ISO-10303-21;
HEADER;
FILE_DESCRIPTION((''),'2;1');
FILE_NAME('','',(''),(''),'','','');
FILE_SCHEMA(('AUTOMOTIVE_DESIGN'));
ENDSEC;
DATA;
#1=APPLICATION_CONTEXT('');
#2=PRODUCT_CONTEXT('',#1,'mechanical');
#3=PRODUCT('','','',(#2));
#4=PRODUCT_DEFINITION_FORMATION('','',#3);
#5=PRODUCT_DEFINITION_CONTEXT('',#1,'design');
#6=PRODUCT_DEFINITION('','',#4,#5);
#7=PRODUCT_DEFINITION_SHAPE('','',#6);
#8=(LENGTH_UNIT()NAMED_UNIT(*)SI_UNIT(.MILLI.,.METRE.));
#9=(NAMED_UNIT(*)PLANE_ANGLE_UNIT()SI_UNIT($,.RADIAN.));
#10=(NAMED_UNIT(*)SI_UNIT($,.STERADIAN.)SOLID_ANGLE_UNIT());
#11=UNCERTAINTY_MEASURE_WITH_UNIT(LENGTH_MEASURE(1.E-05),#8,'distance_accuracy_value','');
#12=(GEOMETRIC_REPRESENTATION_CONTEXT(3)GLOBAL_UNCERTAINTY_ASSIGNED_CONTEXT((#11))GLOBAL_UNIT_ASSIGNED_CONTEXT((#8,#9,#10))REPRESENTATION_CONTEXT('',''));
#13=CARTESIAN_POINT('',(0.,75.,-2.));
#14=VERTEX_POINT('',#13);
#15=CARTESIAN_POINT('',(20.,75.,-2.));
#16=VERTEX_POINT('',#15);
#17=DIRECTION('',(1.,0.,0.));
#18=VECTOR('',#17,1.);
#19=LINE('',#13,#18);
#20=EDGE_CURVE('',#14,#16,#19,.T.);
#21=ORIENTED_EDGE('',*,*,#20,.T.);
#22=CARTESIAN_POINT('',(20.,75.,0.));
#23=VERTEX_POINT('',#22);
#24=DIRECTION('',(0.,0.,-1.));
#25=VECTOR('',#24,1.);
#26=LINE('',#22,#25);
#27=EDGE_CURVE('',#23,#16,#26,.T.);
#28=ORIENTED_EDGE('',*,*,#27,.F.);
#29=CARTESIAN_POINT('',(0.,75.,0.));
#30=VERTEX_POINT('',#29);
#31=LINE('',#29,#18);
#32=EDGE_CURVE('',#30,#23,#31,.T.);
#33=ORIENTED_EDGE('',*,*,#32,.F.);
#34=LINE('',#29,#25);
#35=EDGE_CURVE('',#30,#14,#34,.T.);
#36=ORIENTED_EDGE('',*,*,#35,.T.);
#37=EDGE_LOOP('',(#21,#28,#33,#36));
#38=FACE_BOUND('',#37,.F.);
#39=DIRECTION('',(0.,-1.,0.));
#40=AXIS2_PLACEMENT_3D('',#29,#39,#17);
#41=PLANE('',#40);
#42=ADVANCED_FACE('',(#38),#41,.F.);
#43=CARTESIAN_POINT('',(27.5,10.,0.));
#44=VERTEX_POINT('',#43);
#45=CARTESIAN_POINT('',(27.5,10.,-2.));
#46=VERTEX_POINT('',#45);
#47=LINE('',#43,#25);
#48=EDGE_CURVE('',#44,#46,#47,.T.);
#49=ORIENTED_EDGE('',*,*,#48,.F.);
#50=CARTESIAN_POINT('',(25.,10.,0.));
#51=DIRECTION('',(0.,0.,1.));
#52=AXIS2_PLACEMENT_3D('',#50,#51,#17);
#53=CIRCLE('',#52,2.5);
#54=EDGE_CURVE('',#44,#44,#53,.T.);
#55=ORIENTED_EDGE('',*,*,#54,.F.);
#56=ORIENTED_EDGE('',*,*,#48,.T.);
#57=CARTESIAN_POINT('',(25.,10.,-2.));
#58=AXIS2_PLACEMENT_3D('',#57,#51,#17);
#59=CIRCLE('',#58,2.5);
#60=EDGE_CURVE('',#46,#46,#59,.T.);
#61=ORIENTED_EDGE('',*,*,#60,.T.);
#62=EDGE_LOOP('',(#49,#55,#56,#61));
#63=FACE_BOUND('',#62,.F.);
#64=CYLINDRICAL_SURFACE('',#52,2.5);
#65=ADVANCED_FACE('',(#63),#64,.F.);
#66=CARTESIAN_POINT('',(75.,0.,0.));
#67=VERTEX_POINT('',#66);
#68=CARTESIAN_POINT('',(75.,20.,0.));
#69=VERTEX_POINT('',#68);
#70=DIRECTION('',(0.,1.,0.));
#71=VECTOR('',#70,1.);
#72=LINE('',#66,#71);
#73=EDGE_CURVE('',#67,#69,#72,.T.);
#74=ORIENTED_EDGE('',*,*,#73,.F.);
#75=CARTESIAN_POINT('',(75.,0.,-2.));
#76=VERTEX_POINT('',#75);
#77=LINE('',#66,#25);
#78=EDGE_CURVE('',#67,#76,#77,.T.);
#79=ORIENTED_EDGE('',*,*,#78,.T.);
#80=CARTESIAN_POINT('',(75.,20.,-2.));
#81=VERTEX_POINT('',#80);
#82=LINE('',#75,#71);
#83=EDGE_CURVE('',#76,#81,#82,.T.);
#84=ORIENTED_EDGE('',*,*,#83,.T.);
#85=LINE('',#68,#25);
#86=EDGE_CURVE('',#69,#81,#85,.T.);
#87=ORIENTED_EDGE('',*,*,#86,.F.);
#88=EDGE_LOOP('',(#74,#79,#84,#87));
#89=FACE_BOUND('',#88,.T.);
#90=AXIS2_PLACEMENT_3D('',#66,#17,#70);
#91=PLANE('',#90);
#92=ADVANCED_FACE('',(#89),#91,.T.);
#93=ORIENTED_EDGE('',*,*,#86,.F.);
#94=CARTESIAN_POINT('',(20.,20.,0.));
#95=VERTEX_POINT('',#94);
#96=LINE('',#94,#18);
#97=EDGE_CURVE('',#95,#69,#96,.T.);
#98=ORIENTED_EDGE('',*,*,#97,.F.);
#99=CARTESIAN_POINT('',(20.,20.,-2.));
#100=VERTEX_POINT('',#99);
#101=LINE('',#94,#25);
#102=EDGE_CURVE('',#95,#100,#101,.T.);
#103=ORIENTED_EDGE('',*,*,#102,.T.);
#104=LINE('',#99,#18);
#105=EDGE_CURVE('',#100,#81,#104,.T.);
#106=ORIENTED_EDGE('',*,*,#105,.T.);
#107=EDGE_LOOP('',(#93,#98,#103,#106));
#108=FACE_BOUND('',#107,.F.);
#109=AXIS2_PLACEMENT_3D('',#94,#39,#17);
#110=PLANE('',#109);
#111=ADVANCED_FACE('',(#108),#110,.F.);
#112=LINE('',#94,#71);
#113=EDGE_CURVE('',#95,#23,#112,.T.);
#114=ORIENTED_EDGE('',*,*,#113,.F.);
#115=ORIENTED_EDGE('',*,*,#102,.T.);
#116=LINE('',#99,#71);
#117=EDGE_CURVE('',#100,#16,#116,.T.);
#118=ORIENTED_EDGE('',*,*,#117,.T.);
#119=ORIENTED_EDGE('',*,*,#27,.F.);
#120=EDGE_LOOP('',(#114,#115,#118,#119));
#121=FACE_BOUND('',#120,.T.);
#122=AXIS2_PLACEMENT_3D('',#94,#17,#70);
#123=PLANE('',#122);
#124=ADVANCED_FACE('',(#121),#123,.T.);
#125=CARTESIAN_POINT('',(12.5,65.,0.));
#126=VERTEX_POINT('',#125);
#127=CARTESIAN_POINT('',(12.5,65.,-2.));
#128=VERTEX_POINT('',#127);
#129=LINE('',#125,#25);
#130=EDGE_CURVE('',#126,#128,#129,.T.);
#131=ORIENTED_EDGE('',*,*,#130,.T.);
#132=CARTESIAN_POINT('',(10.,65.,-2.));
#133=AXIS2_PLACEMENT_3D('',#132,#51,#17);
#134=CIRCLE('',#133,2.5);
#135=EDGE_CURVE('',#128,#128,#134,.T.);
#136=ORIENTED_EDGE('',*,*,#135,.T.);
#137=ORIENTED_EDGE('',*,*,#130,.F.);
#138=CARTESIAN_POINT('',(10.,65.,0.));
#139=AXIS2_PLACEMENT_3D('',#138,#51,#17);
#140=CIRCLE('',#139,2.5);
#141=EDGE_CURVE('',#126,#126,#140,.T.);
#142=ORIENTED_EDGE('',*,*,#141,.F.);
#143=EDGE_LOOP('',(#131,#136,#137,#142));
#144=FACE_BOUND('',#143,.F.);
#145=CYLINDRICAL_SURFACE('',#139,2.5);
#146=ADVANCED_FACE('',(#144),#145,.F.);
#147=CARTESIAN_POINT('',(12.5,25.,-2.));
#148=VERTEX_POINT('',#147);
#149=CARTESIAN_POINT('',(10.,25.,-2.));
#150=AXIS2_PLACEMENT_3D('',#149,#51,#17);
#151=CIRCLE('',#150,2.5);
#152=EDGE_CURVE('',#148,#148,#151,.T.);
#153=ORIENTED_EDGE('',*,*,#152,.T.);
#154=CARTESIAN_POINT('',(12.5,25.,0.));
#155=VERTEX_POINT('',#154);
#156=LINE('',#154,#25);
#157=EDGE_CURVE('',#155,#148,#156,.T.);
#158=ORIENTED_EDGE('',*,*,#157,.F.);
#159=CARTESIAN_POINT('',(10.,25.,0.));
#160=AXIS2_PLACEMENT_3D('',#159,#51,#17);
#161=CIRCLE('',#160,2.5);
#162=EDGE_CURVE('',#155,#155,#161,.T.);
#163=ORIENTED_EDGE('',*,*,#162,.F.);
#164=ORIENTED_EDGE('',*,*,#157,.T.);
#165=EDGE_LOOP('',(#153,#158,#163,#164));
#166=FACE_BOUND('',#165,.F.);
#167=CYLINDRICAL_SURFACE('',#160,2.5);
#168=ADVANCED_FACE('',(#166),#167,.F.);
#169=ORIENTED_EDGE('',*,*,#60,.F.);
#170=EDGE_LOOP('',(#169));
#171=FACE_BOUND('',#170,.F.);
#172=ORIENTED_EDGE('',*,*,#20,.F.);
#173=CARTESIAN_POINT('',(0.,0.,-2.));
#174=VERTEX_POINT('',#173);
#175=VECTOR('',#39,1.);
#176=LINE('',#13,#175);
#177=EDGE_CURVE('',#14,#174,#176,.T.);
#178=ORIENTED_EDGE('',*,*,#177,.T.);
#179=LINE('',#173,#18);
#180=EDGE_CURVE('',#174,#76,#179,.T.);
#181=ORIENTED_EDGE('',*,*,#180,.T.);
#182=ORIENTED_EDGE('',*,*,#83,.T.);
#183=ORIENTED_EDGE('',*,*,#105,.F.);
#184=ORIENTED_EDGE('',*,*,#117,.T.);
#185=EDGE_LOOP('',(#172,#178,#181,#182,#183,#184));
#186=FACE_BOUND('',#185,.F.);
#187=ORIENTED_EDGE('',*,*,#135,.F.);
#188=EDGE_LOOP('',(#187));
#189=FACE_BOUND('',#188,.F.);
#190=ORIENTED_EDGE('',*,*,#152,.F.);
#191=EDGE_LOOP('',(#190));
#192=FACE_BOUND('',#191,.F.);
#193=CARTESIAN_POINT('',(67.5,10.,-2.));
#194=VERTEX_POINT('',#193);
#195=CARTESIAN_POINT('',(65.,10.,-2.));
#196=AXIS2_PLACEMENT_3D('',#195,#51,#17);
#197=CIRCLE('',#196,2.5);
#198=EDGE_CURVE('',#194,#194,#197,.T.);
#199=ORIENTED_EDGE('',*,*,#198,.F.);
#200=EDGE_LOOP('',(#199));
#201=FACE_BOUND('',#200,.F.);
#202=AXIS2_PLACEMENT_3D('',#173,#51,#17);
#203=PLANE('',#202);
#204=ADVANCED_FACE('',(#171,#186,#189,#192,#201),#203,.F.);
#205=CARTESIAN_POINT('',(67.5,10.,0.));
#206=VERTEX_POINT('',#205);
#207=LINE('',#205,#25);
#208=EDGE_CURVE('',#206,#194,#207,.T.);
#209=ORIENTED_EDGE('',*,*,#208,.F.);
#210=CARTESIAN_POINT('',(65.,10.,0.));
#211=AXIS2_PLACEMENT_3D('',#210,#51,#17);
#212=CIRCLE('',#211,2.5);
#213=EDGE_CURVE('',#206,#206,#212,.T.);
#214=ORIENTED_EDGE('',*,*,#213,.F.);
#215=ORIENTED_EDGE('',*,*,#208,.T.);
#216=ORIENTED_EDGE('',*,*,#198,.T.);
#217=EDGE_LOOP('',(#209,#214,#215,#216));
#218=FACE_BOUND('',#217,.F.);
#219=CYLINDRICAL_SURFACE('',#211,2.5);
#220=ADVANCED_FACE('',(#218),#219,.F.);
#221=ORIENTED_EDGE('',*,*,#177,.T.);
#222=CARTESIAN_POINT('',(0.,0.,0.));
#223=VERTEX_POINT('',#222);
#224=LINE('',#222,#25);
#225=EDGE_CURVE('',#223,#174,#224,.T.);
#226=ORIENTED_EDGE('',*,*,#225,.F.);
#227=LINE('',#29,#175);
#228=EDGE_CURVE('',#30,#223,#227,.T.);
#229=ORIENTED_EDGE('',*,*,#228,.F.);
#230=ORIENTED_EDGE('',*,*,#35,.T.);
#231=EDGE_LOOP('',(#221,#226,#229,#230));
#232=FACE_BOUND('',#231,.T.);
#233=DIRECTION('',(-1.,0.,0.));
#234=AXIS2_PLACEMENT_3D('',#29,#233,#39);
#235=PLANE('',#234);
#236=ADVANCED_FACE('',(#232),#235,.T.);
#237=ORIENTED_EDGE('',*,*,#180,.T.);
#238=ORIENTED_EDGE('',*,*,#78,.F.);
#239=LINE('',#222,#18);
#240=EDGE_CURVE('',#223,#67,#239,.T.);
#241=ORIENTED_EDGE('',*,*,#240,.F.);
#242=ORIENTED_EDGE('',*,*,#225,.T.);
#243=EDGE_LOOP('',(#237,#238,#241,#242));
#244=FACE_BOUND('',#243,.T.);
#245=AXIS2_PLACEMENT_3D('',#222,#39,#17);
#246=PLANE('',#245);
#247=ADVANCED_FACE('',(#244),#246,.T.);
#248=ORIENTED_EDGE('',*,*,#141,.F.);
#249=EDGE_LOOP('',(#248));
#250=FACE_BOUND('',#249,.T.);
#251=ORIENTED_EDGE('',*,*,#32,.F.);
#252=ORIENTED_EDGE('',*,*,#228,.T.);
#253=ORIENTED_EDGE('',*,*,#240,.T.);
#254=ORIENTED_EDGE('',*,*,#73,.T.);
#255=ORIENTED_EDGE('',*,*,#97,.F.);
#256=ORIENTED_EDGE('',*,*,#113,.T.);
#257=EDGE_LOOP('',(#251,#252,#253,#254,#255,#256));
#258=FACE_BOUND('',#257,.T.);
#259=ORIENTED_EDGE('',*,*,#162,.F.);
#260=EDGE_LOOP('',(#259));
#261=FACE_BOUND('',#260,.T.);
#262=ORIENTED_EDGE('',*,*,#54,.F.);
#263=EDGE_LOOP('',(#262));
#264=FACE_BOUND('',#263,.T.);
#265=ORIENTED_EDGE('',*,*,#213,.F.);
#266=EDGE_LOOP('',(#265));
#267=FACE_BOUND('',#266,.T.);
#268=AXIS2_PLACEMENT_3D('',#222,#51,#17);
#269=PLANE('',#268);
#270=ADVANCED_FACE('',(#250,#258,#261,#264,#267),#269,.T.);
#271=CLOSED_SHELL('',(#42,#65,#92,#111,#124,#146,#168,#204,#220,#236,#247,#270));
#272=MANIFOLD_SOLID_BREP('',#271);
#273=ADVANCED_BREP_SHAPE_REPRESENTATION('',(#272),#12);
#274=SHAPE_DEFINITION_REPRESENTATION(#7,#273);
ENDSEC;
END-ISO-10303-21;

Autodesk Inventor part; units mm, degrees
ref_plane "YZ Plane" through (0, 0, 0) normal (1, 0, 0) x (0, 1, 0)
ref_plane "XZ Plane" through (0, 0, 0) normal (0, 1, 0) x (-1, 0, 0)
ref_plane "XY Plane" through (0, 0, 0) normal (0, 0, 1) x (1, 0, 0)
sketch "Эскиз1" plane through (0, 0, 0) normal (0, 0, 1) x (1, 0, 0)
  line L0 (0, 0) -> (75, 0)
  line L1 (20, 20) -> (20, 75)
  line L2 (0, 75) -> (0, 0)
  line L3 (20, 20) -> (75, 20)
  circle A0 centre (10, 131.9318) radius 2.5
  circle A1 centre (10, 65) radius 2.5
  circle A2 centre (10, 25) radius 2.5
  circle A3 centre (25, 10) radius 2.5
  circle A4 centre (65, 10) radius 2.5
  line L4 (0, 75) -> (20, 75)
  line L5 (75, 0) -> (75, 20)
  point P0 (10, 75)
  point P1 (75, 10)
  dimension "d5" = 5
  dimension "d11" = 20
  dimension "d12" = 20
  dimension "d13" = 75
  dimension "d14" = 10
  dimension "d15" = 40
  dimension "d16" = 10
  dimension "d17" = 40
extrude "Выдавливание1" add sketch "Эскиз1" against normal blind 2 contours L2 L4 L1 L3 L5 L0
equation "\"d16\" = d14"
equation "\"d17\" = d15"
